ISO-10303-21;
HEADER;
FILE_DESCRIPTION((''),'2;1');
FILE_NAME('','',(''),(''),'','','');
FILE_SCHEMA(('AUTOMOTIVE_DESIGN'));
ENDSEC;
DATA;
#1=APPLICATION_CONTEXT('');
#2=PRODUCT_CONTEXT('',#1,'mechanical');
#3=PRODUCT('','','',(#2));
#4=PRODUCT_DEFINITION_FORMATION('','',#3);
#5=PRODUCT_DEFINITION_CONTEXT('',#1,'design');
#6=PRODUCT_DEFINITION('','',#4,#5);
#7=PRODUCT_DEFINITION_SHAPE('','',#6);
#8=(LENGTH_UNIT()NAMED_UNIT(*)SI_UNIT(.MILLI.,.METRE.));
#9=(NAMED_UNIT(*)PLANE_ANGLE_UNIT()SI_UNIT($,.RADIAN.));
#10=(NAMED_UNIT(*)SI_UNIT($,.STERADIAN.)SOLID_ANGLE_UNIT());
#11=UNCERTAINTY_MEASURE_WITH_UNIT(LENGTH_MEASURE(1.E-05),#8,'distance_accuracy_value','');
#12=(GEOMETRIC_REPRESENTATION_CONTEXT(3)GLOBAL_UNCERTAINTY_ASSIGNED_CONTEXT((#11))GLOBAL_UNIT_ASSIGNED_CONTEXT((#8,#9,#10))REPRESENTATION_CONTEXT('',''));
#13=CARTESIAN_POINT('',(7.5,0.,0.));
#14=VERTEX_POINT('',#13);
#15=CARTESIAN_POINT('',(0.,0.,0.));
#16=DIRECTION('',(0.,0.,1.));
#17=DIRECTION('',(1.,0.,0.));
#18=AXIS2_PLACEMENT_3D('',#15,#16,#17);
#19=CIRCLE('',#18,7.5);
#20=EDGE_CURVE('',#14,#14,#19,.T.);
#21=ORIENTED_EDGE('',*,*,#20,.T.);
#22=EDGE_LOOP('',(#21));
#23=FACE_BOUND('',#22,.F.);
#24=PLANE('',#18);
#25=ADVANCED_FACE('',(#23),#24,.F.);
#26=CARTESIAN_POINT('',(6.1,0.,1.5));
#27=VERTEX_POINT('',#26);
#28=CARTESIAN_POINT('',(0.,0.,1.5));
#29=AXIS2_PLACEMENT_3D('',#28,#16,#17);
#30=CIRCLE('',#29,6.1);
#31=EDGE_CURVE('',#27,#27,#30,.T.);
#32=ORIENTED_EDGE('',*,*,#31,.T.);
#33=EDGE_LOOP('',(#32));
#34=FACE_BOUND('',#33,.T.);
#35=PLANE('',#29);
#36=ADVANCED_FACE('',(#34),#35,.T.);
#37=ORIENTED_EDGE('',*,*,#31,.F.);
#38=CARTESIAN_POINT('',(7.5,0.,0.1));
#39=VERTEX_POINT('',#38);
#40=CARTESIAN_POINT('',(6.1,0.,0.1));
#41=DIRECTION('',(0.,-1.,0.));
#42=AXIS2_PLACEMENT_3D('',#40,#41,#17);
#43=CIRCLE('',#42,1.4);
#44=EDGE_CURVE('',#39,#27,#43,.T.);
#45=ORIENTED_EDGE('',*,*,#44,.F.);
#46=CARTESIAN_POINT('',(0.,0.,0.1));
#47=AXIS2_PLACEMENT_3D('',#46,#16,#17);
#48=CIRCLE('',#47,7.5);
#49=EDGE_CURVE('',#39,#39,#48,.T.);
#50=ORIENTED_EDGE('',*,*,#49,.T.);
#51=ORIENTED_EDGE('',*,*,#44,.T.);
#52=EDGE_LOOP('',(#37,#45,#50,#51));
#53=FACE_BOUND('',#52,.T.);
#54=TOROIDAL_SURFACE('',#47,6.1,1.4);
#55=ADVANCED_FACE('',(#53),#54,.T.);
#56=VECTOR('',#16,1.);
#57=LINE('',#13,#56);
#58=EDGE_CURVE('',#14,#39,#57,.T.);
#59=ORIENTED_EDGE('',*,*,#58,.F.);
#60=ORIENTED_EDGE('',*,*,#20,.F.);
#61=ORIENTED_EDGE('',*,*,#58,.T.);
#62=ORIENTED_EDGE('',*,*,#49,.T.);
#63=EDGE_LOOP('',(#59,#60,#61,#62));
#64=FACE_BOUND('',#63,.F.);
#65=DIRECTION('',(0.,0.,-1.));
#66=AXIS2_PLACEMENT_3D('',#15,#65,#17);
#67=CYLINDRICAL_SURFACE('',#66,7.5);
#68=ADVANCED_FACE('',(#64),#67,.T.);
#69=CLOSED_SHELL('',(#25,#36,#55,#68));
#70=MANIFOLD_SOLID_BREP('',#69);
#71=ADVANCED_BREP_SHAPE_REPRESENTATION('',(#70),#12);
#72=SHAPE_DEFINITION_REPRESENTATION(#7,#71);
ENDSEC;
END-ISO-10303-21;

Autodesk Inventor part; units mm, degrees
ref_plane "YZ Plane" through (0, 0, 0) normal (1, 0, 0) x (0, 1, 0)
ref_plane "XZ Plane" through (0, 0, 0) normal (0, 1, 0) x (-1, 0, 0)
ref_plane "XY Plane" through (0, 0, 0) normal (0, 0, 1) x (1, 0, 0)
sketch "Sketch1" plane through (0, 0, 0) normal (0, 0, 1) x (1, 0, 0)
  circle A0 centre (0, 0) radius 7.5
  dimension "d0" = 15
extrude "Extrusion1" add sketch "Sketch1" along normal blind 1.5
fillet "Fillet1" radius 1.4 1 edges at (-7.5, 0, 1.5)
properties part number "Minifix Cap D15" material "PVC-Piping"
